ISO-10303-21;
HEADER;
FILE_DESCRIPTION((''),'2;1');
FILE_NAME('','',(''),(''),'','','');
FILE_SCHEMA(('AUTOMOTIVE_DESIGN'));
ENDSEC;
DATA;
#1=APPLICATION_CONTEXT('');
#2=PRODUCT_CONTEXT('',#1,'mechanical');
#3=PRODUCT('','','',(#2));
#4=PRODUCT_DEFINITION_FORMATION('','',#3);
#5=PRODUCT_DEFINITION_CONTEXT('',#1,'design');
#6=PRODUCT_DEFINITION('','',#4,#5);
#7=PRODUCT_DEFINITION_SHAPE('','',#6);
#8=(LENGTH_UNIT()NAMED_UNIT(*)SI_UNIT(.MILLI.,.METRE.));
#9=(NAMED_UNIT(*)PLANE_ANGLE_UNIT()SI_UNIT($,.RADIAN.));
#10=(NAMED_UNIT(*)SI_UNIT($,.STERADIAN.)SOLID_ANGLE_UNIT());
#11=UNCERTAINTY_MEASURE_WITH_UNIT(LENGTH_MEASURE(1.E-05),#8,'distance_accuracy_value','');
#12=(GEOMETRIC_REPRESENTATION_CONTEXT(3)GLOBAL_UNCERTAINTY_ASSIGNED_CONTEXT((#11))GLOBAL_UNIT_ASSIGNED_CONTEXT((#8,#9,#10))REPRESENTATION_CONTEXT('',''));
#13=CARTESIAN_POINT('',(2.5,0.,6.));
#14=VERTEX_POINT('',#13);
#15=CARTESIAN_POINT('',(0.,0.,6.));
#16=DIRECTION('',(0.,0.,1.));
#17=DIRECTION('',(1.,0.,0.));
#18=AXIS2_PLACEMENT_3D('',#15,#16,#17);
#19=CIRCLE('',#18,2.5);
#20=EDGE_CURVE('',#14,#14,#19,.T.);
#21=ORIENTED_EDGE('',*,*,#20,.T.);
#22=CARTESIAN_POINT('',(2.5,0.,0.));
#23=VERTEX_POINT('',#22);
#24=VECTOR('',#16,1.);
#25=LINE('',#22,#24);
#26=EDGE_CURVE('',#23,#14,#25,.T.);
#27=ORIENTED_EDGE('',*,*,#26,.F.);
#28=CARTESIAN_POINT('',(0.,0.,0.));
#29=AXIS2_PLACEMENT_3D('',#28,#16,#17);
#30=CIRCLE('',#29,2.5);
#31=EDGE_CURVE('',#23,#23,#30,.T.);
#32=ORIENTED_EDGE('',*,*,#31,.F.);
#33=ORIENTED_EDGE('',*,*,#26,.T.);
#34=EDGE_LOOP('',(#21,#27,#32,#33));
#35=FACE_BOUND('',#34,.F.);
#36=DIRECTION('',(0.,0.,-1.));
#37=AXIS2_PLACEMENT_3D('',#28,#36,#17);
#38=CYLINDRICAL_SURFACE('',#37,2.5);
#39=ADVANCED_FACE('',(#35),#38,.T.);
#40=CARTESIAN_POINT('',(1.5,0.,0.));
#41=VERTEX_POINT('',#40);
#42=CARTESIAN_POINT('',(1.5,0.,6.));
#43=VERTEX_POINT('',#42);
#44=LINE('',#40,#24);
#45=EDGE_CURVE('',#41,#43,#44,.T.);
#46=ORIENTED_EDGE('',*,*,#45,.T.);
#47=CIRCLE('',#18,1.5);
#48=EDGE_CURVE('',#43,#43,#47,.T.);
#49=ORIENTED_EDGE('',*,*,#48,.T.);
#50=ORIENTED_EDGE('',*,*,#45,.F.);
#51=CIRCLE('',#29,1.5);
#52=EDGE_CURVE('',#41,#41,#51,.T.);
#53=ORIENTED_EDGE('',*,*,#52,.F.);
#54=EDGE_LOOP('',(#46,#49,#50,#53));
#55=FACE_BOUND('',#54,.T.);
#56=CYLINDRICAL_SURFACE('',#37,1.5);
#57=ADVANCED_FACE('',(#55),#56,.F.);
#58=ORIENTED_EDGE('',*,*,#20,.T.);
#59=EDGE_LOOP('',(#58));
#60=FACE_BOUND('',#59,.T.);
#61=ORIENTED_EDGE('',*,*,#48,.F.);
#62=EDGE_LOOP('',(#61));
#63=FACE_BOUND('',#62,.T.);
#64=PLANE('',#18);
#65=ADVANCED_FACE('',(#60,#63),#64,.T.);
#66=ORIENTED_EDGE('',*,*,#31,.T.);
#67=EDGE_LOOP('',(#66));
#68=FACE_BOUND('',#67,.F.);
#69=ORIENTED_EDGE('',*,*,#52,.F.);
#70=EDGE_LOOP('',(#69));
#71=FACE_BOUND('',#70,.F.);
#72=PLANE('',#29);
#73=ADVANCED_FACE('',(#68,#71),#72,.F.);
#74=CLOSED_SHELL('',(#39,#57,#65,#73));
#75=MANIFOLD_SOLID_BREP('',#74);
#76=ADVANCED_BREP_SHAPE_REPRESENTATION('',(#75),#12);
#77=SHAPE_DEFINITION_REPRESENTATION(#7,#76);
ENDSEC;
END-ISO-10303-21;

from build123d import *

# Parameters (mm, degrees)
SKETCH1_R           = 2.5
SKETCH1_R_2         = 1.5
BOSS_EXTRUDE1_DEPTH = 6


with BuildPart() as part:
    # Sketch1 → Boss-Extrude1 (new body)
    with BuildSketch(Plane.XY):
        Circle(SKETCH1_R)
        Circle(SKETCH1_R_2, mode=Mode.SUBTRACT)
    extrude(amount=BOSS_EXTRUDE1_DEPTH)


solid = part.part
